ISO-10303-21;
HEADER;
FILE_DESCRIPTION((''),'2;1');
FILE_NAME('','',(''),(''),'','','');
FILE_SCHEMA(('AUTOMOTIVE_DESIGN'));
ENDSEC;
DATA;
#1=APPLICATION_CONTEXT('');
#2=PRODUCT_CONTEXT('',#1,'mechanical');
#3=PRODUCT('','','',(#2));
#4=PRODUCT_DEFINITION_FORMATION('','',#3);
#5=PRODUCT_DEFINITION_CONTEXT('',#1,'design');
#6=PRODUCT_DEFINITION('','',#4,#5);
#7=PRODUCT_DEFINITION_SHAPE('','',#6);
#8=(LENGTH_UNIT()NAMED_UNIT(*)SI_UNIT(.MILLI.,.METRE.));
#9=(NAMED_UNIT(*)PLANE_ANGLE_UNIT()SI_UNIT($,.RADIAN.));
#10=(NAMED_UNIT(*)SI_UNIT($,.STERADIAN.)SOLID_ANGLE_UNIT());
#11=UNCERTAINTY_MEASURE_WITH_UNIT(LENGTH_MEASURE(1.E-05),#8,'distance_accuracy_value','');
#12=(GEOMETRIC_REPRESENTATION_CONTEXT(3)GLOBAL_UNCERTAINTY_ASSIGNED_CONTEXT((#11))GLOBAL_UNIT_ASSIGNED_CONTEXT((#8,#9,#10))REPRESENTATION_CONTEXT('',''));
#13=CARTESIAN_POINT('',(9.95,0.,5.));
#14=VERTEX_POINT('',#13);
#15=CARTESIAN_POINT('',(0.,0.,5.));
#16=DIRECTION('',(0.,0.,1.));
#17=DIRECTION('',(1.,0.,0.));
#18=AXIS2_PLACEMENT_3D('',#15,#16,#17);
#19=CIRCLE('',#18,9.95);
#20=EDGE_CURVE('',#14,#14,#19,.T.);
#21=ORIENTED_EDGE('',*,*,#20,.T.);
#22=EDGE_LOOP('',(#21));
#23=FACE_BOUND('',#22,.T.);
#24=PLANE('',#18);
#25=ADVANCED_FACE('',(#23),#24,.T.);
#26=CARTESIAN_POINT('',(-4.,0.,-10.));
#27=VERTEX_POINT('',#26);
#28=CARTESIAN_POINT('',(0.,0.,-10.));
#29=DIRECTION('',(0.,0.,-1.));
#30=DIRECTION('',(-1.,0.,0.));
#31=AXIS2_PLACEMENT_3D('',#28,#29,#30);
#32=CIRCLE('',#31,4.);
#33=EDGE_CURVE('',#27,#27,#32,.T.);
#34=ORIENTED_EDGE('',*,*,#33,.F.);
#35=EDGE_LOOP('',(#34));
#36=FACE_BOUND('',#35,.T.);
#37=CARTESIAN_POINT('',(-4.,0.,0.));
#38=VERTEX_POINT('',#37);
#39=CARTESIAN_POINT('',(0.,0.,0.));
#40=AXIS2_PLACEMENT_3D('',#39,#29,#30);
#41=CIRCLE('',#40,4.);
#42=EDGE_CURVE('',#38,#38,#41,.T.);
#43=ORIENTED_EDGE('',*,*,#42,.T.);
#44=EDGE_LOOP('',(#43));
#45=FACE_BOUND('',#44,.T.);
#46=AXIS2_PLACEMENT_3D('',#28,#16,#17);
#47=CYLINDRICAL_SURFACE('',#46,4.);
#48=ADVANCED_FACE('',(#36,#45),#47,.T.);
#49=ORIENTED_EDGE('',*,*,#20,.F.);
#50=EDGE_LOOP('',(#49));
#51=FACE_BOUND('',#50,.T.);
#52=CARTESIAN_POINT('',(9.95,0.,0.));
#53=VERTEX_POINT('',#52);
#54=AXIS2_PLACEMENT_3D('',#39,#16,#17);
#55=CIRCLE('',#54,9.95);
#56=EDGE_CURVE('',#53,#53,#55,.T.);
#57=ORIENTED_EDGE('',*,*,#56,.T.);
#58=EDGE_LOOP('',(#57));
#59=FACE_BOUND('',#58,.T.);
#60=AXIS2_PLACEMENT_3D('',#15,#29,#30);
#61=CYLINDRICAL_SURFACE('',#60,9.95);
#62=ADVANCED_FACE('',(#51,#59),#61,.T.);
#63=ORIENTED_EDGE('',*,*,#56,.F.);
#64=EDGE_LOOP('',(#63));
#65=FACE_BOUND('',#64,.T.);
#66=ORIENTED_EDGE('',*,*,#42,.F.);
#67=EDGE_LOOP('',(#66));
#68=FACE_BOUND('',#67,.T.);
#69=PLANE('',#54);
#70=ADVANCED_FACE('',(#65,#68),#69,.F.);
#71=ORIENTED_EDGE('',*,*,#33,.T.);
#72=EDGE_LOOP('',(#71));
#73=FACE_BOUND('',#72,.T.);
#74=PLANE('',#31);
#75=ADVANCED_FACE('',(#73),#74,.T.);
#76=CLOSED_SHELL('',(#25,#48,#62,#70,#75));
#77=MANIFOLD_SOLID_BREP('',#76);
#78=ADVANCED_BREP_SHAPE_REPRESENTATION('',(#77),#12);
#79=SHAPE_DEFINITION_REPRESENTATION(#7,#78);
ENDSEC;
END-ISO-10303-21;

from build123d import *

# Parameters (mm, degrees)
SKETCH1_R           = 9.95
BOSS_EXTRUDE1_DEPTH = 5
SKETCH2_R           = 4
BOSS_EXTRUDE2_DEPTH = 10


with BuildPart() as part:
    # Sketch1 → Boss-Extrude1 (new body)
    with BuildSketch(Plane.XY):
        Circle(SKETCH1_R)
    extrude(amount=BOSS_EXTRUDE1_DEPTH)

    # Sketch2 → Boss-Extrude2 (add)
    with BuildSketch(Plane(origin=(0, 0, 0), x_dir=(-1, 0, 0), z_dir=(0, 0, -1))):
        Circle(SKETCH2_R)
    extrude(amount=BOSS_EXTRUDE2_DEPTH)


solid = part.part
